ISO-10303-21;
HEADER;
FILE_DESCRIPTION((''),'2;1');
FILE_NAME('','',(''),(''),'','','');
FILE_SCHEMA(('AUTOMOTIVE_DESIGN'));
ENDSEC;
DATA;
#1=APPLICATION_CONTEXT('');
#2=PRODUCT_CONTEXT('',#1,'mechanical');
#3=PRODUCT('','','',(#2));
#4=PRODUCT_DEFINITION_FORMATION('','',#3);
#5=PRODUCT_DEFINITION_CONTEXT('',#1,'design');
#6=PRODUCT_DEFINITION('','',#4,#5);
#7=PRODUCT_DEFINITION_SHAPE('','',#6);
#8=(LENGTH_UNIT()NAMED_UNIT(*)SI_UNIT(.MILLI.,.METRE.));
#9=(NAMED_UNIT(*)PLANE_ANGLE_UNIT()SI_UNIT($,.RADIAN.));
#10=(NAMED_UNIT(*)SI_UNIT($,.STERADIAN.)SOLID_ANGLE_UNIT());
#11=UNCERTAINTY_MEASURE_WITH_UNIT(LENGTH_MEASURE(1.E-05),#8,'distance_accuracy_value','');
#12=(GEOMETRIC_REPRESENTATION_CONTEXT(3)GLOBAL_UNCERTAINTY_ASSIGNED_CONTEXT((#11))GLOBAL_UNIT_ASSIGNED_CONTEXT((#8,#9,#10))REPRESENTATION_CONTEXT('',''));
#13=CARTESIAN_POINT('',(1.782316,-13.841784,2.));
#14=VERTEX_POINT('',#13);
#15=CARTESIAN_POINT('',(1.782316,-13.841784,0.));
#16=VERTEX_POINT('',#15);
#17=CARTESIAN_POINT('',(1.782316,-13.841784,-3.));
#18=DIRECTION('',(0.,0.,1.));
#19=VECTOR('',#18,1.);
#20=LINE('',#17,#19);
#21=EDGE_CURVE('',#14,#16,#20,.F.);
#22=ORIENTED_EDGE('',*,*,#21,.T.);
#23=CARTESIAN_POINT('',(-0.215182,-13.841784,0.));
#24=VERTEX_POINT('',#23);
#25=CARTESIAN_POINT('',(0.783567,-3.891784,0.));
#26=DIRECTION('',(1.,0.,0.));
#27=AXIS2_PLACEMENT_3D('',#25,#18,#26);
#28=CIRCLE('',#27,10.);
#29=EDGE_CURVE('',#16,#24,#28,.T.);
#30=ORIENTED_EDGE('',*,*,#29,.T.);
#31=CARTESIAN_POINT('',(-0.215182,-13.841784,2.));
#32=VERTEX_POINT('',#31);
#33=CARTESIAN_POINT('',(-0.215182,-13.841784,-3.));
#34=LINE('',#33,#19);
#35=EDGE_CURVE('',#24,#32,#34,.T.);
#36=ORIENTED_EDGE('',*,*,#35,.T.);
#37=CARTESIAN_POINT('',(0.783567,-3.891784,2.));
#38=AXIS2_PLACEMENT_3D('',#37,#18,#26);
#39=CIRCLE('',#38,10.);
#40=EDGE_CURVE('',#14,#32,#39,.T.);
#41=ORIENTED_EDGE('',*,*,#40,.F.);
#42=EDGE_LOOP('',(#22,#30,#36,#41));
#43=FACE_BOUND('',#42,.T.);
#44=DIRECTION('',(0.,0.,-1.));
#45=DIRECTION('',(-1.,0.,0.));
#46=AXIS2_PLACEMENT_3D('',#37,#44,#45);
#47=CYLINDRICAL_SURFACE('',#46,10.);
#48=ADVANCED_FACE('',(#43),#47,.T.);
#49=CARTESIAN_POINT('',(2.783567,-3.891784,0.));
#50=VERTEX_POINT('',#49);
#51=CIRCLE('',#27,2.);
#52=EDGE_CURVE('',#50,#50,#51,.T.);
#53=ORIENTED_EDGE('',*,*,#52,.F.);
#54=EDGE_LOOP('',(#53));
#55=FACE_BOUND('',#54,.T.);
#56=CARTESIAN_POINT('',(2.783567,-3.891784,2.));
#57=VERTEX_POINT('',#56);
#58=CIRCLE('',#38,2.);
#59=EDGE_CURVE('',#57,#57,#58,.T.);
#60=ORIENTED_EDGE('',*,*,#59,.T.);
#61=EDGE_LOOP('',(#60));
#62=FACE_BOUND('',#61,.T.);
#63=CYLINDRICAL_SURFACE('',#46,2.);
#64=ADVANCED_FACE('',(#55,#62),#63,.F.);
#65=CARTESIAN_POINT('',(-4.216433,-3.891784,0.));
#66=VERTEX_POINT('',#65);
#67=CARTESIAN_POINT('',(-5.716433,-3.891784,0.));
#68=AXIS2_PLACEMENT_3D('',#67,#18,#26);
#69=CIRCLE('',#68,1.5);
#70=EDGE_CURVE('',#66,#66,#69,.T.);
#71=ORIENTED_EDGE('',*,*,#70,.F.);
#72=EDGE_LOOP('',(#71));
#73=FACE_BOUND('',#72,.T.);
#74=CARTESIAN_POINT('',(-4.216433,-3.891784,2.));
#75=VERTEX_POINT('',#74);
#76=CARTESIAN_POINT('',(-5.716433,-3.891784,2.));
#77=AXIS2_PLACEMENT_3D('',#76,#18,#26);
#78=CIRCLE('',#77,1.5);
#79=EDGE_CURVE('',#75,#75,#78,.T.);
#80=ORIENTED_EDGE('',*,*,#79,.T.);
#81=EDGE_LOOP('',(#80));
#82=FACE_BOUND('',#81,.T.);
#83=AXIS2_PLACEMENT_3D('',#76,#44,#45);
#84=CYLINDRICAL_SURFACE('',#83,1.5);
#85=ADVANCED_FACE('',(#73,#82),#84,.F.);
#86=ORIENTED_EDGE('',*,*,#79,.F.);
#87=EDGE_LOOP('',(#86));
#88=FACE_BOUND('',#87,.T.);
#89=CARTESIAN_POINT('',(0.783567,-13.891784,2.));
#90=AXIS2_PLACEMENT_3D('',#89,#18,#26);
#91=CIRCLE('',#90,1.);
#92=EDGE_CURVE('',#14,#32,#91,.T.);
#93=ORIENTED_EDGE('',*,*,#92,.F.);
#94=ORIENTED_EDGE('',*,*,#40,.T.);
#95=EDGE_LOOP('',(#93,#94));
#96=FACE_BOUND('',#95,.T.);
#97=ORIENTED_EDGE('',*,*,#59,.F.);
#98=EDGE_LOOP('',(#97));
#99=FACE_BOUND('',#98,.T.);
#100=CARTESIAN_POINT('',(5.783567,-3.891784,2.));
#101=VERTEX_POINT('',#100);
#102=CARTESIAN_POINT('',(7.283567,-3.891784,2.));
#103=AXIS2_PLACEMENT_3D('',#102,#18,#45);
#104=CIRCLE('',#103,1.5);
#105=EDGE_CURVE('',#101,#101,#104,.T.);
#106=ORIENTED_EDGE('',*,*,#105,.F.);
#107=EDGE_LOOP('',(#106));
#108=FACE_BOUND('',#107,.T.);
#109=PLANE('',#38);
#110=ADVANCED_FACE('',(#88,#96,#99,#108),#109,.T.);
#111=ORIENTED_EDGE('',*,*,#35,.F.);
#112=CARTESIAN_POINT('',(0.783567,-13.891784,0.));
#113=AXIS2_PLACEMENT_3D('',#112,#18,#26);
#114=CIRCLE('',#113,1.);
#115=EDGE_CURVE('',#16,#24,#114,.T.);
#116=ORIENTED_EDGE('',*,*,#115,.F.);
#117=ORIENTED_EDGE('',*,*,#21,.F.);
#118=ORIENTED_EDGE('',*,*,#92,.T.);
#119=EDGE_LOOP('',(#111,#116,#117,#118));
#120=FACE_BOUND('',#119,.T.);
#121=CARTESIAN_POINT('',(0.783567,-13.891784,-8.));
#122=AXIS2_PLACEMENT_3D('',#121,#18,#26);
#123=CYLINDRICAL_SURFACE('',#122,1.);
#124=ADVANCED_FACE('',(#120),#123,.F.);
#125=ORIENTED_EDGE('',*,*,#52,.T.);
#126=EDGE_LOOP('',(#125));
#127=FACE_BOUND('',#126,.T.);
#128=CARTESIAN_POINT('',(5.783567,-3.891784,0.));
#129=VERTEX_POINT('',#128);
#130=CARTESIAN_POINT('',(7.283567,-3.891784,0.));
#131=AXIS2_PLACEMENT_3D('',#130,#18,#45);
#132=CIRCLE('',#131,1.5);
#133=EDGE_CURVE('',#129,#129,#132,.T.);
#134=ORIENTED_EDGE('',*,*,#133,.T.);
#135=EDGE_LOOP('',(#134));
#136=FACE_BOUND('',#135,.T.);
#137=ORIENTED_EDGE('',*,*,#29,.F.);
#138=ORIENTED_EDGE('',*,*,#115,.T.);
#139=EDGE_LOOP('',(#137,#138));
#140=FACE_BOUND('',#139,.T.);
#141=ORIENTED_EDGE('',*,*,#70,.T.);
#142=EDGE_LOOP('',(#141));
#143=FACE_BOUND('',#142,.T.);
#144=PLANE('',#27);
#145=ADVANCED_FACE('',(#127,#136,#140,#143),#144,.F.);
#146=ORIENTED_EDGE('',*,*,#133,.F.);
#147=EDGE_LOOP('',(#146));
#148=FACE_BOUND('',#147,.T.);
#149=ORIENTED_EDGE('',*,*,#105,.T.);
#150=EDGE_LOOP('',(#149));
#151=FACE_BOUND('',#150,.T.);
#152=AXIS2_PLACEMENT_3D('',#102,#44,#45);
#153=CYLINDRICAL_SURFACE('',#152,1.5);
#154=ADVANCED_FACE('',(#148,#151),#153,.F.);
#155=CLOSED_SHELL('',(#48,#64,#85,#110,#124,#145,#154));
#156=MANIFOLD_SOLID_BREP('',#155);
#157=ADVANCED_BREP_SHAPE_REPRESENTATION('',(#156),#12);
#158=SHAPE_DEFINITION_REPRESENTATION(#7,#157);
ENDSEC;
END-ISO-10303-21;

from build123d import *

# Parameters (mm, degrees)
SKETCH_1_R          = 10
SKETCH_1_R_2        = 1.5
SKETCH_1_R_3        = 2
EXTRUDE_1_DEPTH     = 2
SKETCH_2_R          = 1
CUT_EXTRUDE_1_DEPTH = 10


with BuildPart() as part:
    # 草图1 → 凸台-拉伸1 (new body)
    with BuildSketch(Plane.XY):
        with Locations((0.783567134, -3.891783567)):
            Circle(SKETCH_1_R)
        with Locations((-5.716432866, -3.891783567)):
            Circle(SKETCH_1_R_2, mode=Mode.SUBTRACT)
        with Locations(Location((7.283567134, -3.891783567, 0), (0, 0, 180))):
            Circle(SKETCH_1_R_2, mode=Mode.SUBTRACT)
        with Locations((0.783567134, -3.891783567)):
            Circle(SKETCH_1_R_3, mode=Mode.SUBTRACT)
    extrude(amount=EXTRUDE_1_DEPTH)

    # 草图2 → 切除-拉伸1 (cut)
    with BuildSketch(Plane.XY.offset(2)):
        with Locations((0.783567134, -13.891783567)):
            Circle(SKETCH_2_R)
    extrude(amount=-CUT_EXTRUDE_1_DEPTH, mode=Mode.SUBTRACT)


solid = part.part
